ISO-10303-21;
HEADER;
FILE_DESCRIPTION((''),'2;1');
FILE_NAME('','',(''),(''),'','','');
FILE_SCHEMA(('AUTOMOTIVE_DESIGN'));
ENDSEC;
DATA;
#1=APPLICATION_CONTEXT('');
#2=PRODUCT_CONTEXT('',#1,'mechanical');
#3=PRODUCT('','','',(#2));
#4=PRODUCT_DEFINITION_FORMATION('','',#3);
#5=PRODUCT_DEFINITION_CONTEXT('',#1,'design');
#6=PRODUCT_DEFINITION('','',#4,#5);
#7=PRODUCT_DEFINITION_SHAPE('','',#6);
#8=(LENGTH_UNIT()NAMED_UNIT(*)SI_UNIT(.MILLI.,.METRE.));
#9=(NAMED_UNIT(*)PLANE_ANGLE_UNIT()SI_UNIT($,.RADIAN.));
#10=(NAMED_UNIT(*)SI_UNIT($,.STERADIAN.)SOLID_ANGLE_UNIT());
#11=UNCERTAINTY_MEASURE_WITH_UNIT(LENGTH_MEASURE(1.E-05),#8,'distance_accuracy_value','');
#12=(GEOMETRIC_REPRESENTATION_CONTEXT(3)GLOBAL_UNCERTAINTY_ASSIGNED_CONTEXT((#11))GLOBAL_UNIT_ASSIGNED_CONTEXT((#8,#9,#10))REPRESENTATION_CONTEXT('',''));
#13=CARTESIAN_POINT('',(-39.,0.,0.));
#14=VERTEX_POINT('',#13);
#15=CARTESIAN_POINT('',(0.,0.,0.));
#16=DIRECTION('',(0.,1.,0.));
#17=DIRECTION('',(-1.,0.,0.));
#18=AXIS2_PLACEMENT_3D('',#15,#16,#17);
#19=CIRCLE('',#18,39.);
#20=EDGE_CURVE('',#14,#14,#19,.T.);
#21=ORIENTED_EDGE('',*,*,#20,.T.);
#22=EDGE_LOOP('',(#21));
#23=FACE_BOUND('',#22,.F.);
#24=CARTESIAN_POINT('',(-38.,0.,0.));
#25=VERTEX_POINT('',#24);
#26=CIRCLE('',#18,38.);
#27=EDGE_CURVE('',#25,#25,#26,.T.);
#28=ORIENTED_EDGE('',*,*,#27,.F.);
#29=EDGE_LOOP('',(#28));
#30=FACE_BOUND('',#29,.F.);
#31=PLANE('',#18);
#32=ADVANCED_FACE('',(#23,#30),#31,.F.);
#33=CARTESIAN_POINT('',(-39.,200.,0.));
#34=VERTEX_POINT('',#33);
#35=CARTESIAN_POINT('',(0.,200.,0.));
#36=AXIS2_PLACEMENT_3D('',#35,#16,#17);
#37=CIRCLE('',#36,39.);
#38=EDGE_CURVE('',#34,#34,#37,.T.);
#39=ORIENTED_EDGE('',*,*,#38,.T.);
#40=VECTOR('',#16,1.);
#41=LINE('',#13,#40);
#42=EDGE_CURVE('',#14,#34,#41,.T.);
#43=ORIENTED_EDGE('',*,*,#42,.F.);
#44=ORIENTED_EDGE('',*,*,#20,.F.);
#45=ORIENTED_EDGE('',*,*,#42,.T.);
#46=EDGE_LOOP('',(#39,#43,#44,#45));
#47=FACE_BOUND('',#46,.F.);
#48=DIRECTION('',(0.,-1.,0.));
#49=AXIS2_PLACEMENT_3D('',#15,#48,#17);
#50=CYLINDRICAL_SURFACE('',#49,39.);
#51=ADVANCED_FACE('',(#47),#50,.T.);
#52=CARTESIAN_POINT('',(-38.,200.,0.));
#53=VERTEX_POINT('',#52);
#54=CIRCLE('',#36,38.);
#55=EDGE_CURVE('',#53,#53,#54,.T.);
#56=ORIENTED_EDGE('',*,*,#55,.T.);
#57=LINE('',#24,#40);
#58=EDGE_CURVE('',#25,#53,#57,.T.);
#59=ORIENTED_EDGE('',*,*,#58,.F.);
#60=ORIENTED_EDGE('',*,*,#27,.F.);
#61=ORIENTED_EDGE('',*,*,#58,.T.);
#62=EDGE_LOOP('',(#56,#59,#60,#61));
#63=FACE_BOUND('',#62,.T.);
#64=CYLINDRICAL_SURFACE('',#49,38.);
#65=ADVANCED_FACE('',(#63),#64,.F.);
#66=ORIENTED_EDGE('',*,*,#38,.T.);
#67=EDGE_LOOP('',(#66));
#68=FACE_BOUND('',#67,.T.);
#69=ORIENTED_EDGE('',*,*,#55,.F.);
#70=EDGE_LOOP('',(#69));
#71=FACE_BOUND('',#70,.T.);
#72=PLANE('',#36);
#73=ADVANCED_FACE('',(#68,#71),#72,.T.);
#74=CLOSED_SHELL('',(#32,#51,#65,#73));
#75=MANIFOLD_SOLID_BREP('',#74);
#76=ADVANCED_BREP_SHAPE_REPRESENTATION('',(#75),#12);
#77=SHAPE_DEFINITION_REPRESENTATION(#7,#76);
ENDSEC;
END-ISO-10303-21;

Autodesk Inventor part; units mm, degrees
ref_plane "YZ Plane" through (0, 0, 0) normal (1, 0, 0) x (0, 1, 0)
ref_plane "XZ Plane" through (0, 0, 0) normal (0, 1, 0) x (-1, 0, 0)
ref_plane "XY Plane" through (0, 0, 0) normal (0, 0, 1) x (1, 0, 0)
sketch "Sketch1" plane through (0, 0, 0) normal (0, 1, 0) x (-1, 0, 0)
  circle A0 centre (0, 0) radius 38
  circle A1 centre (0, 0) radius 39
  dimension "d0" = 76
  dimension "d1" = 78
extrude "Extrusion1" add sketch "Sketch1" along normal blind 200
properties part number "ELECTRONIC_PART"
